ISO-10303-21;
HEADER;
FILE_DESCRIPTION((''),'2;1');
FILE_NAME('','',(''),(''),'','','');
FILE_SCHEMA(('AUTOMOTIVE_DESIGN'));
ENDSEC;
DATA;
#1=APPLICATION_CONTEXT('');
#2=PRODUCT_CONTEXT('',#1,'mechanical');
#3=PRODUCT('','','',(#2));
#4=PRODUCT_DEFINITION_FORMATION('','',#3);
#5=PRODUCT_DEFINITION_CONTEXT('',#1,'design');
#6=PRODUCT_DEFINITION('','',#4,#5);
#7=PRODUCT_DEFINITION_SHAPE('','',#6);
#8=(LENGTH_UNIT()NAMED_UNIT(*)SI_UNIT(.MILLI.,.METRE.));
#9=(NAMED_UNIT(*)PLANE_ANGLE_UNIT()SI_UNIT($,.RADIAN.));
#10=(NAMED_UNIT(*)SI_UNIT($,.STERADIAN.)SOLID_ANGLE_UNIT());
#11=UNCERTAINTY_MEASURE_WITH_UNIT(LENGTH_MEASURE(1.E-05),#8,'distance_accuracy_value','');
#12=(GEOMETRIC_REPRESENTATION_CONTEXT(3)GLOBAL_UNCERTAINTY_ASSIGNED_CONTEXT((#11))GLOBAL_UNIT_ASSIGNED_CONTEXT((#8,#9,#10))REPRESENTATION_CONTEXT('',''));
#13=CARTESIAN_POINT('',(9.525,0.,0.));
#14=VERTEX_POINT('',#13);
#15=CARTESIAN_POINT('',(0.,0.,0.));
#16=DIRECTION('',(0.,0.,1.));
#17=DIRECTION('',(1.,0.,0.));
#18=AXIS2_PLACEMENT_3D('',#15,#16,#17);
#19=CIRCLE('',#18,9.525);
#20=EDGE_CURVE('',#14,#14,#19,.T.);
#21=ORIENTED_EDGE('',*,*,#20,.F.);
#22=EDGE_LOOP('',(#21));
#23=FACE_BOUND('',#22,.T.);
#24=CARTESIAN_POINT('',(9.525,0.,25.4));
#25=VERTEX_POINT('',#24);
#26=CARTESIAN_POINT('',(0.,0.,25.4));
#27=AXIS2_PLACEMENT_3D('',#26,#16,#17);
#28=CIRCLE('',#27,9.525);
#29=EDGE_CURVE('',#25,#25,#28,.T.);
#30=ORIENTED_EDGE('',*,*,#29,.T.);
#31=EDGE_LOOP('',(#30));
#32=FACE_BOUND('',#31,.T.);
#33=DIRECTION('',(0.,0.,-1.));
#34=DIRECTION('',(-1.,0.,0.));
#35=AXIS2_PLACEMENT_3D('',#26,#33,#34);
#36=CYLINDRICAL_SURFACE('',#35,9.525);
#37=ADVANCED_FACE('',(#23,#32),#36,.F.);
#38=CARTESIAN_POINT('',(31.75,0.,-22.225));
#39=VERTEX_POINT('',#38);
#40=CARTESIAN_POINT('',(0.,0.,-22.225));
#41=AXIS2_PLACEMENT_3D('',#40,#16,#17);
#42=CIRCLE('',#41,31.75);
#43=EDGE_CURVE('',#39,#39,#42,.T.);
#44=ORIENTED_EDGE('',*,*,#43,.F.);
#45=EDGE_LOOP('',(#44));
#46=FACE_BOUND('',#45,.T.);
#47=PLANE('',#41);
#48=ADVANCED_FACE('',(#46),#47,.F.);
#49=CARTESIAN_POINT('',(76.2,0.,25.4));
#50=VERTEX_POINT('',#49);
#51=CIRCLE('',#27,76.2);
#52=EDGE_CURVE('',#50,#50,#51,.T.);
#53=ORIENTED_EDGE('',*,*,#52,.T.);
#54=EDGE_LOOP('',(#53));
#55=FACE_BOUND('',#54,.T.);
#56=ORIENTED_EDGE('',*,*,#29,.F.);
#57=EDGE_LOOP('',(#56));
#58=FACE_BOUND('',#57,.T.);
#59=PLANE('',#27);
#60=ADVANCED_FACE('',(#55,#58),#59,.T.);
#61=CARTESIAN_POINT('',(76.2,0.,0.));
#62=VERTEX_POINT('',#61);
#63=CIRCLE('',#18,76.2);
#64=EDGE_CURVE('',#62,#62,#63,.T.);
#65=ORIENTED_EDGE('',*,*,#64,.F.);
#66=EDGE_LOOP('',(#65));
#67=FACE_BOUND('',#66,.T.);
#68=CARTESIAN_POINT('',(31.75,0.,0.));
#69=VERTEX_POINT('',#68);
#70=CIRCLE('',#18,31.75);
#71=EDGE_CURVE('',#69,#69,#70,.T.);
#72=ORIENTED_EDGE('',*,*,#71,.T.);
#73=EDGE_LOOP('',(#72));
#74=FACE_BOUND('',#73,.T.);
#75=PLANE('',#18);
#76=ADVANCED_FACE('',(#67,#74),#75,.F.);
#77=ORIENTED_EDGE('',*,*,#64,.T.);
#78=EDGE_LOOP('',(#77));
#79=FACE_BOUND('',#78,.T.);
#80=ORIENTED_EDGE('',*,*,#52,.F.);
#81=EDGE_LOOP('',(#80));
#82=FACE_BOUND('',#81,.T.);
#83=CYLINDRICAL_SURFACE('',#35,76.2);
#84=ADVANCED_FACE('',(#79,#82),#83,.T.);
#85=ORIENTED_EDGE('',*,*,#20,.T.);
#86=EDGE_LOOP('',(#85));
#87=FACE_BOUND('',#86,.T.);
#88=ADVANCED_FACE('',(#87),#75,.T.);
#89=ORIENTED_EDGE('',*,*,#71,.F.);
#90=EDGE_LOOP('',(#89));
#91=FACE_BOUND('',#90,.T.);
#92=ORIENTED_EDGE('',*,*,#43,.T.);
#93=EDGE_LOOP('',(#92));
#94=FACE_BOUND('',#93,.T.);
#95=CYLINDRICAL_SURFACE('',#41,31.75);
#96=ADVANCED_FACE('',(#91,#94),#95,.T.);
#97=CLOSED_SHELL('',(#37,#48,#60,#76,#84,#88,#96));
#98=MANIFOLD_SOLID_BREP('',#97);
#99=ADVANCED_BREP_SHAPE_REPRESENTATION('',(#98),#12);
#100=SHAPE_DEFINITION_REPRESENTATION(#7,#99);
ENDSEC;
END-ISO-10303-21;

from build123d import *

# Parameters (mm, degrees)
SKETCH1_R           = 76.2
SKETCH1_R_2         = 9.525
BOSS_EXTRUDE1_DEPTH = 25.4
SKETCH2_R           = 31.75
BOSS_EXTRUDE2_DEPTH = 22.225


with BuildPart() as part:
    # Sketch1 → Boss-Extrude1 (new body)
    with BuildSketch(Plane.XY):
        Circle(SKETCH1_R)
        Circle(SKETCH1_R_2, mode=Mode.SUBTRACT)
    extrude(amount=BOSS_EXTRUDE1_DEPTH)

    # Sketch2 → Boss-Extrude2 (add)
    with BuildSketch(Plane.XY):
        Circle(SKETCH2_R)
    extrude(amount=-BOSS_EXTRUDE2_DEPTH)


solid = part.part
